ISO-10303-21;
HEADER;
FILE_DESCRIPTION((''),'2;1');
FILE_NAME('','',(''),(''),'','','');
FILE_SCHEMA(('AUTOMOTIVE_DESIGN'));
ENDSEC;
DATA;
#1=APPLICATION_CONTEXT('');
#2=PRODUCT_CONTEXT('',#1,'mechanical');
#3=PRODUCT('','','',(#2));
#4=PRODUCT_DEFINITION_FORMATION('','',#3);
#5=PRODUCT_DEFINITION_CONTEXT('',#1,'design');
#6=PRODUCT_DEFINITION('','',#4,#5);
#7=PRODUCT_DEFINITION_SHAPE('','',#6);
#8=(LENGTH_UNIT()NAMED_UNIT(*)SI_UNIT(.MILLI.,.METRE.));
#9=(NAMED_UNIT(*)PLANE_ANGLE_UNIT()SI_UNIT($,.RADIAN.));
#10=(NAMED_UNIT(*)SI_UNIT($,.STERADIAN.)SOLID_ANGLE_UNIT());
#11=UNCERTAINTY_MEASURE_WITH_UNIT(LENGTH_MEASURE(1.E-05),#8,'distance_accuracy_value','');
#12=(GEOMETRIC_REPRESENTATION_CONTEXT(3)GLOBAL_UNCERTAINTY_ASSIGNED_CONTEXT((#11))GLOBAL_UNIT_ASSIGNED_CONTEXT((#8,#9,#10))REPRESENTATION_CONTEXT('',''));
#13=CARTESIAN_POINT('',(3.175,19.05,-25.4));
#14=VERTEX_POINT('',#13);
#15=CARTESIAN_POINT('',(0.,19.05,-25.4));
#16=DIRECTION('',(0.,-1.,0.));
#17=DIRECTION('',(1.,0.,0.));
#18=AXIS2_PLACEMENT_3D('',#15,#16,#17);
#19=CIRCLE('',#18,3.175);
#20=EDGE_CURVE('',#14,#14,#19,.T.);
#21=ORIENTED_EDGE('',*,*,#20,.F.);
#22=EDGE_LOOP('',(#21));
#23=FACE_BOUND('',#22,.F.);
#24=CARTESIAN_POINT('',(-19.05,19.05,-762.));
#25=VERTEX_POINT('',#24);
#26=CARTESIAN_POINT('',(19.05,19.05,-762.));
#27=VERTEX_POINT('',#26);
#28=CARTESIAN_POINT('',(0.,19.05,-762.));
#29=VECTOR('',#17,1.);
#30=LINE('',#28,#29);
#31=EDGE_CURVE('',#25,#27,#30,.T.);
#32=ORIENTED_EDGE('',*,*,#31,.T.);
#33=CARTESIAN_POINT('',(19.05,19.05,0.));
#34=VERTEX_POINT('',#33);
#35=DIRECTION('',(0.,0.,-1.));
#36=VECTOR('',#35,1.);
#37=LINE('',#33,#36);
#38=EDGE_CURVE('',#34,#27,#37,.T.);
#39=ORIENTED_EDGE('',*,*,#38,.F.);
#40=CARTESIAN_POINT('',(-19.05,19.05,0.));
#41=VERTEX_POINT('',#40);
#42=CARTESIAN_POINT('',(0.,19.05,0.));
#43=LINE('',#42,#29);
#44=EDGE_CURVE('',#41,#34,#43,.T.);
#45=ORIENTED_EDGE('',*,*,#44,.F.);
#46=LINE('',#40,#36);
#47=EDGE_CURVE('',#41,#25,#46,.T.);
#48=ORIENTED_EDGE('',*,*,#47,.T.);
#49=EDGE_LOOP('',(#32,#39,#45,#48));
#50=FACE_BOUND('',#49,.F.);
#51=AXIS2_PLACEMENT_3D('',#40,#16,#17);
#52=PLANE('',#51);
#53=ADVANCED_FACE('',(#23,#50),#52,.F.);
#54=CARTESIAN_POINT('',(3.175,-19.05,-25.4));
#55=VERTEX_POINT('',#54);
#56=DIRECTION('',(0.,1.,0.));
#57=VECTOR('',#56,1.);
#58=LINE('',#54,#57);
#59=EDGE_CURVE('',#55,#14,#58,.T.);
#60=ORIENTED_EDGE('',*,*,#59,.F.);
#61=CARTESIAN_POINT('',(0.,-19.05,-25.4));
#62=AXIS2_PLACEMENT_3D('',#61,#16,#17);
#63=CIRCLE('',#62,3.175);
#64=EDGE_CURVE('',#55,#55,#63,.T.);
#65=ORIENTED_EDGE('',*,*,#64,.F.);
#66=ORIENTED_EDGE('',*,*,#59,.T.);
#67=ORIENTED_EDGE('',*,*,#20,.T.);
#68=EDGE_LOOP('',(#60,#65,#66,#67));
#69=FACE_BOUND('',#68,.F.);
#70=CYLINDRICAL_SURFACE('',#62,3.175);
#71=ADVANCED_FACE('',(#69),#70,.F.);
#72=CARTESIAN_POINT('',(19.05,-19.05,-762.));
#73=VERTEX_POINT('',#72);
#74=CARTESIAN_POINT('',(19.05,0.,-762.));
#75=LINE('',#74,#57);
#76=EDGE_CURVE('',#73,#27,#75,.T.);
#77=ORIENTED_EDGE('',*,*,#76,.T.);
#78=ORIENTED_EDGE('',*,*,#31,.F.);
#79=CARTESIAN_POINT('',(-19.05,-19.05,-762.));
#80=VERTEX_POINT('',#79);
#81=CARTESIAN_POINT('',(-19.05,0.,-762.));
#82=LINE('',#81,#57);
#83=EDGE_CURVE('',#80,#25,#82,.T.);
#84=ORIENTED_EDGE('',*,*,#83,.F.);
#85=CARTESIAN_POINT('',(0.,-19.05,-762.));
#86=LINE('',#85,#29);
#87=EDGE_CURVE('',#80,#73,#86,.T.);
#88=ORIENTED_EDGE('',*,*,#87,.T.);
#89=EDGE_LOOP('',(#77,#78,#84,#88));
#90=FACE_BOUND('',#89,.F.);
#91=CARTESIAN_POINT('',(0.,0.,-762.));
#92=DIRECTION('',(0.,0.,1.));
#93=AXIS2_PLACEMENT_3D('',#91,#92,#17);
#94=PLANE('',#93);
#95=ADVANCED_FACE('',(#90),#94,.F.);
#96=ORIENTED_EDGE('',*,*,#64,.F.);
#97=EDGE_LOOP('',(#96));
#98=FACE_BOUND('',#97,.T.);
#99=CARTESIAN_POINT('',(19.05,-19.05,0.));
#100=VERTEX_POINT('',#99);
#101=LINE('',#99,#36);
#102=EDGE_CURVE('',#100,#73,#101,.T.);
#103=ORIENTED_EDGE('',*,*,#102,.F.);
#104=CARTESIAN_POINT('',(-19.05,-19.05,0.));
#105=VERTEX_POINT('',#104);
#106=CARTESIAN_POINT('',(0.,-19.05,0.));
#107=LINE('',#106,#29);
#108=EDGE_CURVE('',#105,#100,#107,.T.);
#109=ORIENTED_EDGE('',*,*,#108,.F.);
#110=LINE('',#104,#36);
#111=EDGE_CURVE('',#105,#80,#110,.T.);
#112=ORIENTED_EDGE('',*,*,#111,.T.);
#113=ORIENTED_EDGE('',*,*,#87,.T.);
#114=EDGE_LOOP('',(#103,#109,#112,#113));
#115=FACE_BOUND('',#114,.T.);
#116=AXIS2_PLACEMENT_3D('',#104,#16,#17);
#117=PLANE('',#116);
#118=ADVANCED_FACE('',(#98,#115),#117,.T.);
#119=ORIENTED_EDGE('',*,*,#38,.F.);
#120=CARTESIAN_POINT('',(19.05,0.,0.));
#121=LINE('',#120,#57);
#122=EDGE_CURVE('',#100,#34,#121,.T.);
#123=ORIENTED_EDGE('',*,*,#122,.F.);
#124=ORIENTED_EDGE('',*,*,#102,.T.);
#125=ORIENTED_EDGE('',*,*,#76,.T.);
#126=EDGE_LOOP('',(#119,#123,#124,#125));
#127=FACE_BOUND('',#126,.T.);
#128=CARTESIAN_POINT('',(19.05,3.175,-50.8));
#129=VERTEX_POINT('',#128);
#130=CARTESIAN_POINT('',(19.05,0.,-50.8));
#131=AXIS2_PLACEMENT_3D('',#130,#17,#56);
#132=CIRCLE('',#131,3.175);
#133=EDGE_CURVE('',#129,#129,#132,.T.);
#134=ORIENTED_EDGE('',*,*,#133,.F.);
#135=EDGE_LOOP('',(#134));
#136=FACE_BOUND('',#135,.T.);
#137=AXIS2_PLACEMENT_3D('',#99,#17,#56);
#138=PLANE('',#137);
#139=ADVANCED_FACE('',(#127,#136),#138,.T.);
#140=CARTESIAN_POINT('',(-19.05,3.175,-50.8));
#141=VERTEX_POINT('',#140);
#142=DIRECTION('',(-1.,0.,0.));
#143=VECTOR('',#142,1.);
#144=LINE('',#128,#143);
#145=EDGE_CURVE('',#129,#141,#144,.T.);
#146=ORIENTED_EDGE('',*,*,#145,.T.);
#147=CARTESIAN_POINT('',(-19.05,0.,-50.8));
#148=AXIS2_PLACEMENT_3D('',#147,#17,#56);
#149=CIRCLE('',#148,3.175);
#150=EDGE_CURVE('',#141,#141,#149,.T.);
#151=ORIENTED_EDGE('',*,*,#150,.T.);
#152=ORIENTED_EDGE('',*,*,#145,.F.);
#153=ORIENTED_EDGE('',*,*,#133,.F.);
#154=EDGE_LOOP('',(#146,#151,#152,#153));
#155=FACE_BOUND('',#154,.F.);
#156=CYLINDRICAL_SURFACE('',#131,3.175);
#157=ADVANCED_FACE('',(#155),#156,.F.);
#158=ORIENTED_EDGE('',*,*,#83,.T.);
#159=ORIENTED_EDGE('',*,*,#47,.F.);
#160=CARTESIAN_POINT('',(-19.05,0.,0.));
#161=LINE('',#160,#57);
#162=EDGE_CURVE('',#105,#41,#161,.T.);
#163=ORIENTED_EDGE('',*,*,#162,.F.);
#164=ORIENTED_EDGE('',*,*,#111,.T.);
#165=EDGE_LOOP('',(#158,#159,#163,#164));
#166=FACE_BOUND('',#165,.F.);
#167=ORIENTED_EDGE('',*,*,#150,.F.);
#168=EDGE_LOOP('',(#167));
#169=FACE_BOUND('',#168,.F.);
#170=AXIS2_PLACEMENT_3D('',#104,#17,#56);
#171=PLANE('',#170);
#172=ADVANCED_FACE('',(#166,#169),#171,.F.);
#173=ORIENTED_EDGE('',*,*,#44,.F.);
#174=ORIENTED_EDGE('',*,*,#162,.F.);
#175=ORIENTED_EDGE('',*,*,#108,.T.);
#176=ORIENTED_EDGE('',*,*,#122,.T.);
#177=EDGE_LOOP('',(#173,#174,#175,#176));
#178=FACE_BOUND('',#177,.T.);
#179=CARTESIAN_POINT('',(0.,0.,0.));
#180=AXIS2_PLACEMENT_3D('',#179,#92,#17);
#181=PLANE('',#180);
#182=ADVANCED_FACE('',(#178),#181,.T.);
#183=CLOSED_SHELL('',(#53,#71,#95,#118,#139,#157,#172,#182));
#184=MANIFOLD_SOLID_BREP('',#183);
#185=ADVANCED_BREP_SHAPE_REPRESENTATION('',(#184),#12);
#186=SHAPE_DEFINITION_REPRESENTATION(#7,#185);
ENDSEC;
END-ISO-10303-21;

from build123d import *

# Parameters (mm, degrees)
F0_W     = 38.1
F0_H     = 38.1
F1_DEPTH = 762
F2_R     = 3.175
F3_DEPTH = 38.101
F4_R     = 3.175
F5_DEPTH = 38.101


with BuildPart() as f1:
    # F0 (on Top) → F1 (new body)
    with BuildSketch(Plane.XY):
        Rectangle(F0_W, F0_H)
    extrude(amount=-F1_DEPTH)

    # F2 (on face) → F3 (cut, through all)
    with BuildSketch(Plane.XZ.offset(19.05)):
        with Locations((0, -25.4)):
            Circle(F2_R)
    extrude(amount=-F3_DEPTH, mode=Mode.SUBTRACT)

    # F4 (on face) → F5 (cut, through all)
    with BuildSketch(Plane.YZ.offset(19.05)):
        with Locations((0, -50.8)):
            Circle(F4_R)
    extrude(amount=-F5_DEPTH, mode=Mode.SUBTRACT)


solid = f1.part
